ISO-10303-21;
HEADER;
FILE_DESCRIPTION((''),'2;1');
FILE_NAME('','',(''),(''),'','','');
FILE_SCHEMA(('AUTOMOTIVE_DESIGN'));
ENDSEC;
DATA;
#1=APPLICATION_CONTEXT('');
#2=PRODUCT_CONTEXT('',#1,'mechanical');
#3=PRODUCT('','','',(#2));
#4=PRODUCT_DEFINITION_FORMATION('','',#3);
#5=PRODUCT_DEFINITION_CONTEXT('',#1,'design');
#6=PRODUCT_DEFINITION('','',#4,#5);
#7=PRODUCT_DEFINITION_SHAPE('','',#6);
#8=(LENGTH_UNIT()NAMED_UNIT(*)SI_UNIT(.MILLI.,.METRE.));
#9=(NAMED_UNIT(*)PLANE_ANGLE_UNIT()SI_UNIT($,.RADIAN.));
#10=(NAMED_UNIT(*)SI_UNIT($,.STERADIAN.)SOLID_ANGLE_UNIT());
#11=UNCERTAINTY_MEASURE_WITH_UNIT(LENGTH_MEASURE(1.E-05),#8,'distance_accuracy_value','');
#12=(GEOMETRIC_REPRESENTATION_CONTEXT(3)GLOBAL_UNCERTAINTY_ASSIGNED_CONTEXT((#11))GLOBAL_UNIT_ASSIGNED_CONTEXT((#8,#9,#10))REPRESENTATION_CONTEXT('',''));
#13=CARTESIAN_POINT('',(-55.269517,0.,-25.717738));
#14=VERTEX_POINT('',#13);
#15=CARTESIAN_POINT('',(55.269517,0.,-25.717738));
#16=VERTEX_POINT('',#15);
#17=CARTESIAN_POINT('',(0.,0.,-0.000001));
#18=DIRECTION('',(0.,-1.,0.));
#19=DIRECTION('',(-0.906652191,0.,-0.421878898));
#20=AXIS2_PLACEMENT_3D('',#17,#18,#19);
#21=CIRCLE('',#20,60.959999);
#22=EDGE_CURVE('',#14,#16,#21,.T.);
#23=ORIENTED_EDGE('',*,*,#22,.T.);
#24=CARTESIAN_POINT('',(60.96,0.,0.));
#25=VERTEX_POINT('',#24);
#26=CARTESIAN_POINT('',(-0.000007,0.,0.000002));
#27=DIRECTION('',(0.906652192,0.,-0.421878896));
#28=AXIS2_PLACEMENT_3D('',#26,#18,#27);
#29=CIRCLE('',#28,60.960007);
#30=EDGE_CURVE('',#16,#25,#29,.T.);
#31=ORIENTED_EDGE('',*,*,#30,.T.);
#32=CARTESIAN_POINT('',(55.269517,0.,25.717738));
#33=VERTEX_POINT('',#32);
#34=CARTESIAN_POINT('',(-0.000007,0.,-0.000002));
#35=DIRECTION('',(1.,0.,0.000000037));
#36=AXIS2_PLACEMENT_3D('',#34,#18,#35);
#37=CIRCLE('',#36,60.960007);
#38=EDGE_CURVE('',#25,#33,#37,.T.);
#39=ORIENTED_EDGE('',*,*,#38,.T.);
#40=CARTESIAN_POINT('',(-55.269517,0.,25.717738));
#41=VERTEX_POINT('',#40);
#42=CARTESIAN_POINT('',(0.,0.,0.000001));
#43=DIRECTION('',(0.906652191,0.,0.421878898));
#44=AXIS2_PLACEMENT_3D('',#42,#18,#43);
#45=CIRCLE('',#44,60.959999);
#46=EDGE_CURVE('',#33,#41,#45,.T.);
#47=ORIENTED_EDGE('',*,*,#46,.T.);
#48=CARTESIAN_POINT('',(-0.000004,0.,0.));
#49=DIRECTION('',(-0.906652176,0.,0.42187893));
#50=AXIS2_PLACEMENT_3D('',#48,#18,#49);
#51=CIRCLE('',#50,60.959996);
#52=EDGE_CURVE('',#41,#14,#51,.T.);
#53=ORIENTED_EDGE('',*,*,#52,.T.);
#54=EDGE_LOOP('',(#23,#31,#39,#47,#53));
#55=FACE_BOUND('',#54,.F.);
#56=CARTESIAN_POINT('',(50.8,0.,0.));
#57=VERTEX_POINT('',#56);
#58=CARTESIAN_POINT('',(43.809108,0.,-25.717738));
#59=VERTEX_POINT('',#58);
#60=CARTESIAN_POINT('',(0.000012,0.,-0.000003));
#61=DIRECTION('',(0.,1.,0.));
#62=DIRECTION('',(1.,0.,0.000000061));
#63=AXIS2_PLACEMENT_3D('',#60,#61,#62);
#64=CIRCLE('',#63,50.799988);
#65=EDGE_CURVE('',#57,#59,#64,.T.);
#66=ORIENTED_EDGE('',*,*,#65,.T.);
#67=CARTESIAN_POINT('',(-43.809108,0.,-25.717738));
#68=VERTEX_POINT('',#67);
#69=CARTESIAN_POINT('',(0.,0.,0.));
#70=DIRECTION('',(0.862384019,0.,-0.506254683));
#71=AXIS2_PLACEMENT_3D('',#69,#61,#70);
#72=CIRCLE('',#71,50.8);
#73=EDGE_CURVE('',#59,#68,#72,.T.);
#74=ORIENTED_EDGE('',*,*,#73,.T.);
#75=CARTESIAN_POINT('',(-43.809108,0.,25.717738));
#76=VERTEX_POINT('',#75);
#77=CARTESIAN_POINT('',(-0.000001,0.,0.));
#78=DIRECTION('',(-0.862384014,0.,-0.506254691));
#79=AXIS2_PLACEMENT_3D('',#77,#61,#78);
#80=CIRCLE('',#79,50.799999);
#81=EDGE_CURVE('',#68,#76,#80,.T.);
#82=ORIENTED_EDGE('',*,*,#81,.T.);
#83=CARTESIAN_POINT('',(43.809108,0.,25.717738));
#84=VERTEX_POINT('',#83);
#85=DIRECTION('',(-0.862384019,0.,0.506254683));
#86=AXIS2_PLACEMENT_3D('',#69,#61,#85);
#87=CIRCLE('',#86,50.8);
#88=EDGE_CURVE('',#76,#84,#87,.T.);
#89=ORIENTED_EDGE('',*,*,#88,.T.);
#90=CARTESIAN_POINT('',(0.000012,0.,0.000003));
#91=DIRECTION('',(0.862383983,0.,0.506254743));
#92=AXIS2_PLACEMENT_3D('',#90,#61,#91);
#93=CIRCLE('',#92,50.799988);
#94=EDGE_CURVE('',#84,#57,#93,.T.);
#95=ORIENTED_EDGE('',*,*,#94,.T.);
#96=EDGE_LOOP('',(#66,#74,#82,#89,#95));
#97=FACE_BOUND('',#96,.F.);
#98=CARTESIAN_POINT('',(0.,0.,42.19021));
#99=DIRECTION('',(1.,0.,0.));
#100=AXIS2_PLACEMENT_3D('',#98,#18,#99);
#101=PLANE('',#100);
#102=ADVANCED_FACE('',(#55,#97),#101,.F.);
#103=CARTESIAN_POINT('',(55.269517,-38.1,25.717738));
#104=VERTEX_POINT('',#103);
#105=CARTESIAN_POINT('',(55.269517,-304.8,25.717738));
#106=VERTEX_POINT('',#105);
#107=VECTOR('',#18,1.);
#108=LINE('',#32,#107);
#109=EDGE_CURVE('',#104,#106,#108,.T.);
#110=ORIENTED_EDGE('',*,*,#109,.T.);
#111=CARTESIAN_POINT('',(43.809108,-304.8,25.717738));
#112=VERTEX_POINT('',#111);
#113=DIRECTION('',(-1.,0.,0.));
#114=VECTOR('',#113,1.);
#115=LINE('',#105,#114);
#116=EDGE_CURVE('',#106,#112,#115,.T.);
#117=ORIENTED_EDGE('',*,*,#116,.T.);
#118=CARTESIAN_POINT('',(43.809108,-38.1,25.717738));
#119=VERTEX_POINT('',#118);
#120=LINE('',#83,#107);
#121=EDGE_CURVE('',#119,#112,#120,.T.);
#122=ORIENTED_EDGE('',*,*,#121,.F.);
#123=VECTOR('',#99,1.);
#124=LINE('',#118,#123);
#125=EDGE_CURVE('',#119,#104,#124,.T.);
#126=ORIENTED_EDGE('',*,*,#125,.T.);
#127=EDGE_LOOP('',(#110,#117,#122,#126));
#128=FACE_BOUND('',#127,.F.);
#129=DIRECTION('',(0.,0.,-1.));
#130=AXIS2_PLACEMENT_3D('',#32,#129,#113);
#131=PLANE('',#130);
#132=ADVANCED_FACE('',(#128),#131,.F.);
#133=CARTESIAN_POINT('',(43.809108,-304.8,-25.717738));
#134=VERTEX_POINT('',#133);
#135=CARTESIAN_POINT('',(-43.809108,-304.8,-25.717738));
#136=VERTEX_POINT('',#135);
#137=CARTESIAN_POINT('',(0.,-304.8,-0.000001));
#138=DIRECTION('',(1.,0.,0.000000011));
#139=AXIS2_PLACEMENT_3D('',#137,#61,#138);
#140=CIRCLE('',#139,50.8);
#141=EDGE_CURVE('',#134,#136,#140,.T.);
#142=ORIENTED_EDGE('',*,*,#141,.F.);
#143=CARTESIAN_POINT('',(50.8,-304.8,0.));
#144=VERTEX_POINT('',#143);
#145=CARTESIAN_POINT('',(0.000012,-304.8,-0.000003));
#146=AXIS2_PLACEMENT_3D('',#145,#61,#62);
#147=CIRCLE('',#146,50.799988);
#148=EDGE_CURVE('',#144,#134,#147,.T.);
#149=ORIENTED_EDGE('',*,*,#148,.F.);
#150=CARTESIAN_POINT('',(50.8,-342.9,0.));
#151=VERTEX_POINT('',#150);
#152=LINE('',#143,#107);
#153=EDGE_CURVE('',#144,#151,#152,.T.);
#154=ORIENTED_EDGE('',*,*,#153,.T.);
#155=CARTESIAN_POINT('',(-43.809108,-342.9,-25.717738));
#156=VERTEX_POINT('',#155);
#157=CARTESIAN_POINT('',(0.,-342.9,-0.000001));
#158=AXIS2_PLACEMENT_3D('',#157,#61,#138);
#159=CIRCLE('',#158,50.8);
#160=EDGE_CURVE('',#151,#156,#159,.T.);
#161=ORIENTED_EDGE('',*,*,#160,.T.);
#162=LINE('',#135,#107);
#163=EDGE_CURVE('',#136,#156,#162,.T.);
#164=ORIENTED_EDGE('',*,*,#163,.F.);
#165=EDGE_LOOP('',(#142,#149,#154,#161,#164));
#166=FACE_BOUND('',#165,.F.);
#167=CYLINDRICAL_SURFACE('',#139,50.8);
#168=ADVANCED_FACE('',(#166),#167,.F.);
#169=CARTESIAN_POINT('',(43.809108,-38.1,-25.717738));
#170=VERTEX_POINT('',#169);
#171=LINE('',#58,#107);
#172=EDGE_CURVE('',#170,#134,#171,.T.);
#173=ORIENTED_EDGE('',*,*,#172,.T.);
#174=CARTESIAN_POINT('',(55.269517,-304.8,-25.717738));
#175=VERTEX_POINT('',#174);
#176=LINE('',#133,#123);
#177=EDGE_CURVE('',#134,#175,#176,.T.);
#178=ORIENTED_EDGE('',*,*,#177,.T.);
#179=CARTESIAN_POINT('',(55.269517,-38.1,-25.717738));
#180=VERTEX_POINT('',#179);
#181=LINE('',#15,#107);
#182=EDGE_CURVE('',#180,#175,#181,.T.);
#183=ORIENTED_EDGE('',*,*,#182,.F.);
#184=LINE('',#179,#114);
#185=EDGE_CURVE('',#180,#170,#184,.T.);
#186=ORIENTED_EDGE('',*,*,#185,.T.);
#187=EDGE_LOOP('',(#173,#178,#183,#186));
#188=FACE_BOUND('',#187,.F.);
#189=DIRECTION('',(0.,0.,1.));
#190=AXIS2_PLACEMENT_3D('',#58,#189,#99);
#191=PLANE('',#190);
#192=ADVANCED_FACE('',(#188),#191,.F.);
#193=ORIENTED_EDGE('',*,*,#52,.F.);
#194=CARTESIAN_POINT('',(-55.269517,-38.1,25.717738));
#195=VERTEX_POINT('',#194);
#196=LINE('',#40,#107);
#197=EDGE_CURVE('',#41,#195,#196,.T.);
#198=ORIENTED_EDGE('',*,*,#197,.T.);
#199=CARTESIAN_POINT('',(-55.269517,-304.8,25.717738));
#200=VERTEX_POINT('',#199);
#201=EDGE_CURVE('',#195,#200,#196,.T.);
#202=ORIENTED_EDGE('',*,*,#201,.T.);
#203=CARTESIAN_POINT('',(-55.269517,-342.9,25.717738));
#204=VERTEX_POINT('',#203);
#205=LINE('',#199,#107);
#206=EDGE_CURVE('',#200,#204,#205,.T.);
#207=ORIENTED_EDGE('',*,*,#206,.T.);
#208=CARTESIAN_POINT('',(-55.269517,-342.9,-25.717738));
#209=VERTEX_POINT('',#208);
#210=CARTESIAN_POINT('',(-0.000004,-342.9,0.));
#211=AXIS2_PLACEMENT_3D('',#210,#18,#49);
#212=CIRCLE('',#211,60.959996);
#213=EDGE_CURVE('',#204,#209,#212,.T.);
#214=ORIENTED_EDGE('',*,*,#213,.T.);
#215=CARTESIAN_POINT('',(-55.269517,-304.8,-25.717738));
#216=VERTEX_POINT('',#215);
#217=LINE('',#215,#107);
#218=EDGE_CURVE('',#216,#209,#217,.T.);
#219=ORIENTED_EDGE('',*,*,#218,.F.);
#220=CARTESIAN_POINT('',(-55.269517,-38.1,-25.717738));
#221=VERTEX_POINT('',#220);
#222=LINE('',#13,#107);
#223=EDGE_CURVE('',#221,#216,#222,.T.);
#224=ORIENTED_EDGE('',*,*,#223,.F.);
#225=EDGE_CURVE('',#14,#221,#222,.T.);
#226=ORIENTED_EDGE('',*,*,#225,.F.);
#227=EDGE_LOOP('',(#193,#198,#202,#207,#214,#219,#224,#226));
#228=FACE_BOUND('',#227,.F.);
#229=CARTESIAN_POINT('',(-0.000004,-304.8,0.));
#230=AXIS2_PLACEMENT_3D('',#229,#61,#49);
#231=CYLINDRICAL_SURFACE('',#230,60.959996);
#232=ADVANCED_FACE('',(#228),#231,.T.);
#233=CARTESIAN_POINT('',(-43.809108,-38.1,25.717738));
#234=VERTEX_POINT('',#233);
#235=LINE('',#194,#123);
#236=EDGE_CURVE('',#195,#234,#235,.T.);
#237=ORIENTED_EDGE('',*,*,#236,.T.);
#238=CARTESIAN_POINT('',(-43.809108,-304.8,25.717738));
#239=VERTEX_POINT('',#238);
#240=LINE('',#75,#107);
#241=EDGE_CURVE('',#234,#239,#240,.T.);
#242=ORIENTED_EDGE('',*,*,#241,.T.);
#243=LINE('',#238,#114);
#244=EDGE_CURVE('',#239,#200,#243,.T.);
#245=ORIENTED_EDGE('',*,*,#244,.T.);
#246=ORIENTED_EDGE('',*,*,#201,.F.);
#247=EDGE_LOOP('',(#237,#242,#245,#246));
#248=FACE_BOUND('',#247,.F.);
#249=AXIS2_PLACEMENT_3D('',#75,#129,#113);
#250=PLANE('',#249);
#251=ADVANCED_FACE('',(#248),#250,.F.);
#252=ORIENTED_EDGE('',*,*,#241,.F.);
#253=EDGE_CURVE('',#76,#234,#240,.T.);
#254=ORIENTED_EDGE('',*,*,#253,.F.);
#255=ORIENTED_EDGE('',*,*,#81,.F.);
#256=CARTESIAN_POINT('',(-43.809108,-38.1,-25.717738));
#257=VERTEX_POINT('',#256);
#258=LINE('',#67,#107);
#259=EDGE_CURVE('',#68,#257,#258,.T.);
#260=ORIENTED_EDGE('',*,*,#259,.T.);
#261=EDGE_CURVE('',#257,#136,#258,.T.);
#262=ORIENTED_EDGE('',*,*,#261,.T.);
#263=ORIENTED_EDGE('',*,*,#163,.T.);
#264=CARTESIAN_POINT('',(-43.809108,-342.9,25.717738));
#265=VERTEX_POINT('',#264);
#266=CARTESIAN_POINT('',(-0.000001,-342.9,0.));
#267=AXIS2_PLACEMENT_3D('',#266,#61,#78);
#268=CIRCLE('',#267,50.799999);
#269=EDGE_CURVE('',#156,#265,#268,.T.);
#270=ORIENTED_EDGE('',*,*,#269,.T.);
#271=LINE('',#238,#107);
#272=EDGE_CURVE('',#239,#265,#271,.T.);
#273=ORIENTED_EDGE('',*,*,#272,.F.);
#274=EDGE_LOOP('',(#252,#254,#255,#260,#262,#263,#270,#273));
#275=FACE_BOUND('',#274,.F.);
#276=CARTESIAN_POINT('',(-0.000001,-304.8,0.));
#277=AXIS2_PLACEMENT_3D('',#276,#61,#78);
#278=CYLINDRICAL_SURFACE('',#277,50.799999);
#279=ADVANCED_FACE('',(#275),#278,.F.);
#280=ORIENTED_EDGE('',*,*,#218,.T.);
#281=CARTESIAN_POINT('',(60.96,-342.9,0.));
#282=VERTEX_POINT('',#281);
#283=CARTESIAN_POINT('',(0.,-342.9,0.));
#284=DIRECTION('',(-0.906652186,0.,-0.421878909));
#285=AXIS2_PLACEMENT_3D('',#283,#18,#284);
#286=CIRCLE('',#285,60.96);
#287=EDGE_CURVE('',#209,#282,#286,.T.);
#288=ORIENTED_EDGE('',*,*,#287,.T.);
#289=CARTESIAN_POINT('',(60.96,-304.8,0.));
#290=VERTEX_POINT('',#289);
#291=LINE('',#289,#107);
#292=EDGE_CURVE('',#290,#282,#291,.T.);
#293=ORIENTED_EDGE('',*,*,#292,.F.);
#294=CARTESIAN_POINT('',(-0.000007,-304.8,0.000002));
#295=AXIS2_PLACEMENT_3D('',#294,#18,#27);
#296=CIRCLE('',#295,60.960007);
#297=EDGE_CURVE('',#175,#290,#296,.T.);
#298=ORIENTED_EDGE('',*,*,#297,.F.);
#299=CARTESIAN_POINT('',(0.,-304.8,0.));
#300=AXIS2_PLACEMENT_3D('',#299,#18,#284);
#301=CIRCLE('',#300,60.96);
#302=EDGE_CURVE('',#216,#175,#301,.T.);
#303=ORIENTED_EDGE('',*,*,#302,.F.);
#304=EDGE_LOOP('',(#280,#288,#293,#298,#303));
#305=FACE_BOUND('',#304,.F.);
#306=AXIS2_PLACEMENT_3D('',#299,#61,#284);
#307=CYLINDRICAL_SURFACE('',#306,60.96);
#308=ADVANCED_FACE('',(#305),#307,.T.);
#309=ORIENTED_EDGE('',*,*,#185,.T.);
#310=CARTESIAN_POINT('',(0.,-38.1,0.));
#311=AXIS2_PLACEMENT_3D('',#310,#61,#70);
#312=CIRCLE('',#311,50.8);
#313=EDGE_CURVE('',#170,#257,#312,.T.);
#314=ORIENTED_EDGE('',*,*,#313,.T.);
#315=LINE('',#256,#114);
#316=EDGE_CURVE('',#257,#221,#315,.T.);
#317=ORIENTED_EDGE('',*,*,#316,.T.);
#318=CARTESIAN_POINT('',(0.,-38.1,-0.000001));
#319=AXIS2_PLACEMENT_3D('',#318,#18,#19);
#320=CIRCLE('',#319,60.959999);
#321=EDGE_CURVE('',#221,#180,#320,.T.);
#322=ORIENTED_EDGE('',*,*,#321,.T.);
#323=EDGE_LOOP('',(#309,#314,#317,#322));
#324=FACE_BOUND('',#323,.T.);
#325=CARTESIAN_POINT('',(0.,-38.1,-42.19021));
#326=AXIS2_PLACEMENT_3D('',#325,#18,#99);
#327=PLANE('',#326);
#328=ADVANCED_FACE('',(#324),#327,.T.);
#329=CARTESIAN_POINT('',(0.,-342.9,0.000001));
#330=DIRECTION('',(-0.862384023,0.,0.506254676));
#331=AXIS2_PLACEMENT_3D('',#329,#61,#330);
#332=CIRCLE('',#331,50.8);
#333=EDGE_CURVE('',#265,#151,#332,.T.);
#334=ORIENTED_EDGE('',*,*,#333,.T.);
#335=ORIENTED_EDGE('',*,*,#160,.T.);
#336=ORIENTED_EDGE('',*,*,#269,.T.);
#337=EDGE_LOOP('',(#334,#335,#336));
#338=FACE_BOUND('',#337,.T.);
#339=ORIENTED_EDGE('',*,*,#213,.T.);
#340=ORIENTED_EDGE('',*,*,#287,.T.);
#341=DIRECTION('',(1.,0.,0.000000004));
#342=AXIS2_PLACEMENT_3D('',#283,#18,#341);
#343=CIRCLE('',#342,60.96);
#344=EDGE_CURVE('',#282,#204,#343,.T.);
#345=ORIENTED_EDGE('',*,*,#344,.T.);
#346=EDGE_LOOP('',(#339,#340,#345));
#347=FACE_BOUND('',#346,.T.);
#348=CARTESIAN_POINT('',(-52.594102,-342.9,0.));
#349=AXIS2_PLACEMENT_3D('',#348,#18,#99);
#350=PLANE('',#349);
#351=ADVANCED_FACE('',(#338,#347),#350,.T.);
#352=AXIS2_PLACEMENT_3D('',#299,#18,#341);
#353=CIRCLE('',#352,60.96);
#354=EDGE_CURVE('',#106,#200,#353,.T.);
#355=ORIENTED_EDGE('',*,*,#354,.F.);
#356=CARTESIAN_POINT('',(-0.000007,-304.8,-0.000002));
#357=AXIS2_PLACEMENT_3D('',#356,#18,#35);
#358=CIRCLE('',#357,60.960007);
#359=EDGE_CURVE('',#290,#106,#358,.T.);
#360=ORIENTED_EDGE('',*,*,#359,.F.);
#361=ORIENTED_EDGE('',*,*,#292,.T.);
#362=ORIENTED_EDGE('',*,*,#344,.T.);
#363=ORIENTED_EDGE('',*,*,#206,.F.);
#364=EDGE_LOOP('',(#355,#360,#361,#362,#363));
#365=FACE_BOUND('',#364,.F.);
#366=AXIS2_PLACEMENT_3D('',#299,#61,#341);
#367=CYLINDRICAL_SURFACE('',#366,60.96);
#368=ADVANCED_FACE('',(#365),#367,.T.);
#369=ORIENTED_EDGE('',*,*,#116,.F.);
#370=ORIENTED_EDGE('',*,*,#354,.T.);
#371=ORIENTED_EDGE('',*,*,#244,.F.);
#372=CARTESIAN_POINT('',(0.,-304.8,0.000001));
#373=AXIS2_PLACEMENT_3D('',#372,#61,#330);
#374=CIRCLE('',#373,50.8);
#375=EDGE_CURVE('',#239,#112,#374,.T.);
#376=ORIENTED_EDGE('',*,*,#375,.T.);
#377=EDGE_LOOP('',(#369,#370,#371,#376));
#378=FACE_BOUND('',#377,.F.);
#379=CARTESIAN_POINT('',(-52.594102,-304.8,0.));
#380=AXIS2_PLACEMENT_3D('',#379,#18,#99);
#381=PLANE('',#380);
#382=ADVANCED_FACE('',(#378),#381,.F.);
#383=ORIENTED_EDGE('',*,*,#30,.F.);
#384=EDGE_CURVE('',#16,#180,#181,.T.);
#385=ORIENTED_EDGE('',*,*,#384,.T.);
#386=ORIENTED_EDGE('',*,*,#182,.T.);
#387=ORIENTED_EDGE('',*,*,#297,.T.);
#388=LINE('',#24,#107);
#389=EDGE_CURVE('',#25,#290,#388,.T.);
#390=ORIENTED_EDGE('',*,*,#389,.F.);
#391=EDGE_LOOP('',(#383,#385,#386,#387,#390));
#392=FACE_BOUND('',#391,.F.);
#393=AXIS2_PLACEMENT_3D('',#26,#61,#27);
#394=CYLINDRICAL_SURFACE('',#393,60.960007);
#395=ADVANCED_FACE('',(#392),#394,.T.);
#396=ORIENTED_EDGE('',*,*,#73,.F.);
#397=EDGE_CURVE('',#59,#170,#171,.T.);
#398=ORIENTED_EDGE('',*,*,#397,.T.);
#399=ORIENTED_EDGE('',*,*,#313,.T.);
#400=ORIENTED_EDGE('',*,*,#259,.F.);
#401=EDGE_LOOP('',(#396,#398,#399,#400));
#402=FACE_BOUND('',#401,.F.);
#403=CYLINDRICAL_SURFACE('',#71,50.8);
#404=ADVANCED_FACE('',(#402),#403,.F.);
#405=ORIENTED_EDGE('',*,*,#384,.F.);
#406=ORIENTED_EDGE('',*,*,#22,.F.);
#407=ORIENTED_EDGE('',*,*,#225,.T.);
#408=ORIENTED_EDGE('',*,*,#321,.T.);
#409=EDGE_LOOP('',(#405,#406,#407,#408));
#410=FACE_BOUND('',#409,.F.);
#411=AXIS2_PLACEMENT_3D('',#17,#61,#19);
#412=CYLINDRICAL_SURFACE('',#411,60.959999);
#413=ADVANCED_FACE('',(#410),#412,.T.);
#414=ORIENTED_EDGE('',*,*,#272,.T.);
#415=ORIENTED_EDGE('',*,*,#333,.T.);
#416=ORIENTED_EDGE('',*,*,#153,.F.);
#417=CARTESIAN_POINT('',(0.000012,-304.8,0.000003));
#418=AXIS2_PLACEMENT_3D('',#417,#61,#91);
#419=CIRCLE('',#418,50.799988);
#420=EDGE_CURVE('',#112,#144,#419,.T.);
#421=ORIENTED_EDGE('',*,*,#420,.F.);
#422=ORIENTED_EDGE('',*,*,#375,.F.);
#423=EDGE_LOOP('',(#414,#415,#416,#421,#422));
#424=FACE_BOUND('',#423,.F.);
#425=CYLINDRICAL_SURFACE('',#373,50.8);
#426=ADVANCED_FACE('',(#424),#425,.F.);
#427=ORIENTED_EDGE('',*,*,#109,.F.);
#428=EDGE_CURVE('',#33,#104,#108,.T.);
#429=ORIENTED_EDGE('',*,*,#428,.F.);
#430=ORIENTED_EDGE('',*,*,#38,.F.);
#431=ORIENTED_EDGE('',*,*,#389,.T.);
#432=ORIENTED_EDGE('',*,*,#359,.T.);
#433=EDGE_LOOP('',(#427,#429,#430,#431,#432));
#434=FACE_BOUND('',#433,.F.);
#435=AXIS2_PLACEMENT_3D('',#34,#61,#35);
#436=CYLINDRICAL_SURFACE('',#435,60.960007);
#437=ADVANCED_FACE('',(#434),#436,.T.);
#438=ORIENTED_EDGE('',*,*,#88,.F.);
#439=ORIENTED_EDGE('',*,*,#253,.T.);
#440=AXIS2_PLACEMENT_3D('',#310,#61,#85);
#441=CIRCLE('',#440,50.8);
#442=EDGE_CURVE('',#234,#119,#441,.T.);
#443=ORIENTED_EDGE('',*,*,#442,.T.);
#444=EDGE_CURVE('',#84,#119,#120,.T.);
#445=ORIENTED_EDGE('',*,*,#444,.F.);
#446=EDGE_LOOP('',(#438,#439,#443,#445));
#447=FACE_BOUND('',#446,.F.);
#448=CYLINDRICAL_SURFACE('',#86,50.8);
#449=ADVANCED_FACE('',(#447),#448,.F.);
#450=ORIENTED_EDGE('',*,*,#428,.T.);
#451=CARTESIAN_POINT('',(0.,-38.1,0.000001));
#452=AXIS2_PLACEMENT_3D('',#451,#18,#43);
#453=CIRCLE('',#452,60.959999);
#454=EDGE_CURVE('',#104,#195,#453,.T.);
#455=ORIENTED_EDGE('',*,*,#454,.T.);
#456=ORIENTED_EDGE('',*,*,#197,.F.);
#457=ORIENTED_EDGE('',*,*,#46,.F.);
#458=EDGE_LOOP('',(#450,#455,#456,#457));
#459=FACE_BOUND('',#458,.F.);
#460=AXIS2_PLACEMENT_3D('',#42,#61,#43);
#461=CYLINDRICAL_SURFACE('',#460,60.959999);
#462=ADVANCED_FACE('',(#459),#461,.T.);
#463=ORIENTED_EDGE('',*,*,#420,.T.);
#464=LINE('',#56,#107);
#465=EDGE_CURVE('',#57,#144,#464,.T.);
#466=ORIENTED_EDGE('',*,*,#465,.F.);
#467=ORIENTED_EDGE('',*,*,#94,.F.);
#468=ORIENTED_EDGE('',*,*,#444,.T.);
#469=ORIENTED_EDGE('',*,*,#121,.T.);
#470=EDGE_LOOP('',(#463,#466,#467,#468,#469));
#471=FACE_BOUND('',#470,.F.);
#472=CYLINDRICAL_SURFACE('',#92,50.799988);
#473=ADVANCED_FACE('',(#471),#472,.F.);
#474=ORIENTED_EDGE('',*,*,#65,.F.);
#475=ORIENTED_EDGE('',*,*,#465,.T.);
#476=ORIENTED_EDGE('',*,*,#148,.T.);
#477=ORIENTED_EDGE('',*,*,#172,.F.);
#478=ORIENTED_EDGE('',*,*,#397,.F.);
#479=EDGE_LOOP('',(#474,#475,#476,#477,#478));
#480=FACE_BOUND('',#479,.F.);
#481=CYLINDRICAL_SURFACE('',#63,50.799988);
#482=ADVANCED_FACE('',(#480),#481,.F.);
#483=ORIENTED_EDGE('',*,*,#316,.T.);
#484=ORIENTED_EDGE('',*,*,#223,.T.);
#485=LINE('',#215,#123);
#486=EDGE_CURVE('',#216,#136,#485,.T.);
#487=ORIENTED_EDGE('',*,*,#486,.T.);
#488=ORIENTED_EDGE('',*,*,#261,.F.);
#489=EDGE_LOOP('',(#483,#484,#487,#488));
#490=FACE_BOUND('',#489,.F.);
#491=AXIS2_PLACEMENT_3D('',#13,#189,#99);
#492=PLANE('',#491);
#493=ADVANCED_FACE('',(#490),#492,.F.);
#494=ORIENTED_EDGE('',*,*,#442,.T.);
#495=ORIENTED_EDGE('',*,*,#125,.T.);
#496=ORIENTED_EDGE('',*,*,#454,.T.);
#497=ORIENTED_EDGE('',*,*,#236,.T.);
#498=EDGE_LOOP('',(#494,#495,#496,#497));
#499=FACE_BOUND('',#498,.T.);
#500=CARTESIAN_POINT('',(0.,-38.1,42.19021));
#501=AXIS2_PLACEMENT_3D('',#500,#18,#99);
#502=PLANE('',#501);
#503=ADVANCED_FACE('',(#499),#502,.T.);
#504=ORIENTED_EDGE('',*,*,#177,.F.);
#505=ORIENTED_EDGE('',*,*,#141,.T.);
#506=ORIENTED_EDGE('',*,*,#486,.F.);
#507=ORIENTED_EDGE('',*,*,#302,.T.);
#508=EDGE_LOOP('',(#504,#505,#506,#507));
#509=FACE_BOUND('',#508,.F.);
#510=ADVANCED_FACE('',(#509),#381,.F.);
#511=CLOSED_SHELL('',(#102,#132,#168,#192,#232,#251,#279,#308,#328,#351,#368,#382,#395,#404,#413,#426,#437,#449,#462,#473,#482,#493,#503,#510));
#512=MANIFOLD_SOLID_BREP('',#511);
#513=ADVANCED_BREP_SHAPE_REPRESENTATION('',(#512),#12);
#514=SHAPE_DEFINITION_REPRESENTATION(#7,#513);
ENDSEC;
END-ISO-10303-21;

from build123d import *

# Parameters (mm, degrees)
F1_DEPTH = 304.8
F2_DEPTH = 38.1
F4_DEPTH = 38.1


with BuildPart() as f1:
    # F0 (on Front) → F1 (new body)
    with BuildSketch(Plane.XZ):
        with BuildLine():
            Line((-43.809108, 25.717738), (-55.269517, 25.717738))
            ThreePointArc((-55.269517, 25.717738), (-60.96, 0), (-55.269517, -25.717738))
            Line((-55.269517, -25.717738), (-43.809108, -25.717738))
            ThreePointArc((-43.809108, -25.717738), (-50.8, 0), (-43.809108, 25.717738))
        make_face()
        with BuildLine():
            ThreePointArc((55.269517, -25.717738), (59.52038, -13.169887), (60.96, 0))
            ThreePointArc((60.96, 0), (59.52038, 13.169887), (55.269517, 25.717738))
            Line((55.269517, 25.717738), (43.809108, 25.717738))
            ThreePointArc((43.809108, 25.717738), (49.021132, 13.325489), (50.8, 0))
            ThreePointArc((50.8, 0), (49.021132, -13.325489), (43.809108, -25.717738))
            Line((43.809108, -25.717738), (55.269517, -25.717738))
        make_face()
    extrude(amount=F1_DEPTH)

    # F0 (on Front) → F2 (join)
    with BuildSketch(Plane.XZ):
        with BuildLine():
            Line((43.809108, 25.717738), (55.269517, 25.717738))
            ThreePointArc((55.269517, 25.717738), (0, 60.96), (-55.269517, 25.717738))
            Line((-55.269517, 25.717738), (-43.809108, 25.717738))
            ThreePointArc((-43.809108, 25.717738), (0, 50.8), (43.809108, 25.717738))
        make_face()
        with BuildLine():
            ThreePointArc((-55.269517, -25.717738), (0, -60.96), (55.269517, -25.717738))
            Line((55.269517, -25.717738), (43.809108, -25.717738))
            ThreePointArc((43.809108, -25.717738), (0, -50.8), (-43.809108, -25.717738))
            Line((-43.809108, -25.717738), (-55.269517, -25.717738))
        make_face()
    extrude(amount=F2_DEPTH)

    # F3 (on face) → F4 (join)
    with BuildSketch(Plane.XZ.offset(304.8)):
        with BuildLine():
            Line((-43.809108, 25.717738), (-55.269517, 25.717738))
            ThreePointArc((-55.269517, 25.717738), (-60.96, 0), (-55.269517, -25.717738))
            Line((-55.269517, -25.717738), (-43.809108, -25.717738))
            ThreePointArc((-43.809108, -25.717738), (-50.8, 0), (-43.809108, 25.717738))
        make_face()
        with BuildLine():
            ThreePointArc((-55.269517, -25.717738), (13.169887, -59.52038), (60.96, 0))
            ThreePointArc((60.96, 0), (13.169887, 59.52038), (-55.269517, 25.717738))
            Line((-55.269517, 25.717738), (-43.809108, 25.717738))
            ThreePointArc((-43.809108, 25.717738), (13.325489, 49.021132), (50.8, 0))
            ThreePointArc((50.8, 0), (13.325489, -49.021132), (-43.809108, -25.717738))
            Line((-43.809108, -25.717738), (-55.269517, -25.717738))
        make_face()
    extrude(amount=F4_DEPTH)


solid = f1.part
